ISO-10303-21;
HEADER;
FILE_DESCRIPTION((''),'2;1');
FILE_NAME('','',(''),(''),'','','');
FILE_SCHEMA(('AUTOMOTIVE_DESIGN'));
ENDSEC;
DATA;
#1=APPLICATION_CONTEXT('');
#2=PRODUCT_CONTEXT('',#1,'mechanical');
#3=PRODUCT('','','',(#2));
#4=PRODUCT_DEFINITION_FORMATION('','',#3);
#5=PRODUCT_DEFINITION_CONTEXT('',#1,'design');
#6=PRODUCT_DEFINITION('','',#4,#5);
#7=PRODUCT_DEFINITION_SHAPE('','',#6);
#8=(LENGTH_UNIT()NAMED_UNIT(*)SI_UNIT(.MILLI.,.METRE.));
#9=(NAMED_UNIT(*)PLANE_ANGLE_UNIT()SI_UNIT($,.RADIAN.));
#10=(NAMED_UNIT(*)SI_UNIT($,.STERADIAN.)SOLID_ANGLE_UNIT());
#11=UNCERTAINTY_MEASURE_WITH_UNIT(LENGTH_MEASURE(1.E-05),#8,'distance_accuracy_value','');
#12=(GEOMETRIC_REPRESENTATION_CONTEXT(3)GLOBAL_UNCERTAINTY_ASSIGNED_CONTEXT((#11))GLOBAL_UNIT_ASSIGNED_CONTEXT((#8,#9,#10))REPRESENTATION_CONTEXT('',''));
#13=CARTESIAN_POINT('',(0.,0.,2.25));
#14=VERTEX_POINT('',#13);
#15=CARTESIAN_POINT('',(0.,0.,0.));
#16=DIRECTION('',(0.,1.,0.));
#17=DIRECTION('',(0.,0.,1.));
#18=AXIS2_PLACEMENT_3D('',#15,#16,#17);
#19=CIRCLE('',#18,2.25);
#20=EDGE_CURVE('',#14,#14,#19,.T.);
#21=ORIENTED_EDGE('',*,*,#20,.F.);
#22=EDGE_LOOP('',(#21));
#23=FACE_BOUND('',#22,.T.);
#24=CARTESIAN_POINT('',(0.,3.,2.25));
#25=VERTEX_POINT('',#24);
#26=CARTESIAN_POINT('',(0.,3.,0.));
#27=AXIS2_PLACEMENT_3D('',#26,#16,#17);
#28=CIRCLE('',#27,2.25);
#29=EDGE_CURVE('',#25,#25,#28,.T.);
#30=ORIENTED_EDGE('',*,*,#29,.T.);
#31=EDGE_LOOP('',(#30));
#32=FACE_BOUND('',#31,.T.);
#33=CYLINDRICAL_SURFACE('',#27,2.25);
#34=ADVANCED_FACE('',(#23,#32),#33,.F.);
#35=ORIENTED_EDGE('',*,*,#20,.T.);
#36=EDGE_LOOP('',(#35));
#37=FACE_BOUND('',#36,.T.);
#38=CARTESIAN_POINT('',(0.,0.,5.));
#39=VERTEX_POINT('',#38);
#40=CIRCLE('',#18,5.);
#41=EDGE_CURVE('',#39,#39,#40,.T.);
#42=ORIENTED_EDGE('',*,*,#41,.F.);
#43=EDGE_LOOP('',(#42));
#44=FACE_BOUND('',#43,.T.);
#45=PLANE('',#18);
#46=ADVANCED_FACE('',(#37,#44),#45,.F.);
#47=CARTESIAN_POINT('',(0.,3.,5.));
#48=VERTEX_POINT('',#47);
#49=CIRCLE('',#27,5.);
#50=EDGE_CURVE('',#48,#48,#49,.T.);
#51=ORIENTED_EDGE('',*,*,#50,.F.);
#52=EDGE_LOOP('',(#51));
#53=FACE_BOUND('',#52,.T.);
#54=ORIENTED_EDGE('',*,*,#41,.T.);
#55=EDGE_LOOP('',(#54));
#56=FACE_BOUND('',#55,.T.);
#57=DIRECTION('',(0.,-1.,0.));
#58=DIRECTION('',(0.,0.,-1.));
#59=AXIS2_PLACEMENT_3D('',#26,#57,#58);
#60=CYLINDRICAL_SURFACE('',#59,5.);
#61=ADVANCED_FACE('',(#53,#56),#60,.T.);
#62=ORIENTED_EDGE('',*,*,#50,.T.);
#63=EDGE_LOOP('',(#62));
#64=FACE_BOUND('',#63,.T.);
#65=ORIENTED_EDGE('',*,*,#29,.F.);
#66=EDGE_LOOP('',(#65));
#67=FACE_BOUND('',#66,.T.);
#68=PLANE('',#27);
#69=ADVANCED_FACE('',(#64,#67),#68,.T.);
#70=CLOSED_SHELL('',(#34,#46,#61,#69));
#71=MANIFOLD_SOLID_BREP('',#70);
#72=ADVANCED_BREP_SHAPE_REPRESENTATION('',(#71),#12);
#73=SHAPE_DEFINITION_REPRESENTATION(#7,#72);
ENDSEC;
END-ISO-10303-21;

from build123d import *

# Parameters (mm, degrees)
SKETCH1_R            = 5
BOSS_EXTRUDE1_DEPTH  = 3
M4_CLEARANCE_HOLE1_D = 4.5


with BuildPart() as part:
    # Sketch1 → Boss-Extrude1 (new body)
    with BuildSketch(Plane(origin=(0, 0, 0), x_dir=(1, 0, 0), z_dir=(0, 1, 0))):
        Circle(SKETCH1_R)
    extrude(amount=BOSS_EXTRUDE1_DEPTH)

    # M4 Clearance Hole1 (through all)
    with Locations(Plane(origin=(0, 3, 0), x_dir=(1, 0, 0), z_dir=(0, 1, 0))):
        with Locations((0, 0)):
            Hole(M4_CLEARANCE_HOLE1_D / 2)


solid = part.part
